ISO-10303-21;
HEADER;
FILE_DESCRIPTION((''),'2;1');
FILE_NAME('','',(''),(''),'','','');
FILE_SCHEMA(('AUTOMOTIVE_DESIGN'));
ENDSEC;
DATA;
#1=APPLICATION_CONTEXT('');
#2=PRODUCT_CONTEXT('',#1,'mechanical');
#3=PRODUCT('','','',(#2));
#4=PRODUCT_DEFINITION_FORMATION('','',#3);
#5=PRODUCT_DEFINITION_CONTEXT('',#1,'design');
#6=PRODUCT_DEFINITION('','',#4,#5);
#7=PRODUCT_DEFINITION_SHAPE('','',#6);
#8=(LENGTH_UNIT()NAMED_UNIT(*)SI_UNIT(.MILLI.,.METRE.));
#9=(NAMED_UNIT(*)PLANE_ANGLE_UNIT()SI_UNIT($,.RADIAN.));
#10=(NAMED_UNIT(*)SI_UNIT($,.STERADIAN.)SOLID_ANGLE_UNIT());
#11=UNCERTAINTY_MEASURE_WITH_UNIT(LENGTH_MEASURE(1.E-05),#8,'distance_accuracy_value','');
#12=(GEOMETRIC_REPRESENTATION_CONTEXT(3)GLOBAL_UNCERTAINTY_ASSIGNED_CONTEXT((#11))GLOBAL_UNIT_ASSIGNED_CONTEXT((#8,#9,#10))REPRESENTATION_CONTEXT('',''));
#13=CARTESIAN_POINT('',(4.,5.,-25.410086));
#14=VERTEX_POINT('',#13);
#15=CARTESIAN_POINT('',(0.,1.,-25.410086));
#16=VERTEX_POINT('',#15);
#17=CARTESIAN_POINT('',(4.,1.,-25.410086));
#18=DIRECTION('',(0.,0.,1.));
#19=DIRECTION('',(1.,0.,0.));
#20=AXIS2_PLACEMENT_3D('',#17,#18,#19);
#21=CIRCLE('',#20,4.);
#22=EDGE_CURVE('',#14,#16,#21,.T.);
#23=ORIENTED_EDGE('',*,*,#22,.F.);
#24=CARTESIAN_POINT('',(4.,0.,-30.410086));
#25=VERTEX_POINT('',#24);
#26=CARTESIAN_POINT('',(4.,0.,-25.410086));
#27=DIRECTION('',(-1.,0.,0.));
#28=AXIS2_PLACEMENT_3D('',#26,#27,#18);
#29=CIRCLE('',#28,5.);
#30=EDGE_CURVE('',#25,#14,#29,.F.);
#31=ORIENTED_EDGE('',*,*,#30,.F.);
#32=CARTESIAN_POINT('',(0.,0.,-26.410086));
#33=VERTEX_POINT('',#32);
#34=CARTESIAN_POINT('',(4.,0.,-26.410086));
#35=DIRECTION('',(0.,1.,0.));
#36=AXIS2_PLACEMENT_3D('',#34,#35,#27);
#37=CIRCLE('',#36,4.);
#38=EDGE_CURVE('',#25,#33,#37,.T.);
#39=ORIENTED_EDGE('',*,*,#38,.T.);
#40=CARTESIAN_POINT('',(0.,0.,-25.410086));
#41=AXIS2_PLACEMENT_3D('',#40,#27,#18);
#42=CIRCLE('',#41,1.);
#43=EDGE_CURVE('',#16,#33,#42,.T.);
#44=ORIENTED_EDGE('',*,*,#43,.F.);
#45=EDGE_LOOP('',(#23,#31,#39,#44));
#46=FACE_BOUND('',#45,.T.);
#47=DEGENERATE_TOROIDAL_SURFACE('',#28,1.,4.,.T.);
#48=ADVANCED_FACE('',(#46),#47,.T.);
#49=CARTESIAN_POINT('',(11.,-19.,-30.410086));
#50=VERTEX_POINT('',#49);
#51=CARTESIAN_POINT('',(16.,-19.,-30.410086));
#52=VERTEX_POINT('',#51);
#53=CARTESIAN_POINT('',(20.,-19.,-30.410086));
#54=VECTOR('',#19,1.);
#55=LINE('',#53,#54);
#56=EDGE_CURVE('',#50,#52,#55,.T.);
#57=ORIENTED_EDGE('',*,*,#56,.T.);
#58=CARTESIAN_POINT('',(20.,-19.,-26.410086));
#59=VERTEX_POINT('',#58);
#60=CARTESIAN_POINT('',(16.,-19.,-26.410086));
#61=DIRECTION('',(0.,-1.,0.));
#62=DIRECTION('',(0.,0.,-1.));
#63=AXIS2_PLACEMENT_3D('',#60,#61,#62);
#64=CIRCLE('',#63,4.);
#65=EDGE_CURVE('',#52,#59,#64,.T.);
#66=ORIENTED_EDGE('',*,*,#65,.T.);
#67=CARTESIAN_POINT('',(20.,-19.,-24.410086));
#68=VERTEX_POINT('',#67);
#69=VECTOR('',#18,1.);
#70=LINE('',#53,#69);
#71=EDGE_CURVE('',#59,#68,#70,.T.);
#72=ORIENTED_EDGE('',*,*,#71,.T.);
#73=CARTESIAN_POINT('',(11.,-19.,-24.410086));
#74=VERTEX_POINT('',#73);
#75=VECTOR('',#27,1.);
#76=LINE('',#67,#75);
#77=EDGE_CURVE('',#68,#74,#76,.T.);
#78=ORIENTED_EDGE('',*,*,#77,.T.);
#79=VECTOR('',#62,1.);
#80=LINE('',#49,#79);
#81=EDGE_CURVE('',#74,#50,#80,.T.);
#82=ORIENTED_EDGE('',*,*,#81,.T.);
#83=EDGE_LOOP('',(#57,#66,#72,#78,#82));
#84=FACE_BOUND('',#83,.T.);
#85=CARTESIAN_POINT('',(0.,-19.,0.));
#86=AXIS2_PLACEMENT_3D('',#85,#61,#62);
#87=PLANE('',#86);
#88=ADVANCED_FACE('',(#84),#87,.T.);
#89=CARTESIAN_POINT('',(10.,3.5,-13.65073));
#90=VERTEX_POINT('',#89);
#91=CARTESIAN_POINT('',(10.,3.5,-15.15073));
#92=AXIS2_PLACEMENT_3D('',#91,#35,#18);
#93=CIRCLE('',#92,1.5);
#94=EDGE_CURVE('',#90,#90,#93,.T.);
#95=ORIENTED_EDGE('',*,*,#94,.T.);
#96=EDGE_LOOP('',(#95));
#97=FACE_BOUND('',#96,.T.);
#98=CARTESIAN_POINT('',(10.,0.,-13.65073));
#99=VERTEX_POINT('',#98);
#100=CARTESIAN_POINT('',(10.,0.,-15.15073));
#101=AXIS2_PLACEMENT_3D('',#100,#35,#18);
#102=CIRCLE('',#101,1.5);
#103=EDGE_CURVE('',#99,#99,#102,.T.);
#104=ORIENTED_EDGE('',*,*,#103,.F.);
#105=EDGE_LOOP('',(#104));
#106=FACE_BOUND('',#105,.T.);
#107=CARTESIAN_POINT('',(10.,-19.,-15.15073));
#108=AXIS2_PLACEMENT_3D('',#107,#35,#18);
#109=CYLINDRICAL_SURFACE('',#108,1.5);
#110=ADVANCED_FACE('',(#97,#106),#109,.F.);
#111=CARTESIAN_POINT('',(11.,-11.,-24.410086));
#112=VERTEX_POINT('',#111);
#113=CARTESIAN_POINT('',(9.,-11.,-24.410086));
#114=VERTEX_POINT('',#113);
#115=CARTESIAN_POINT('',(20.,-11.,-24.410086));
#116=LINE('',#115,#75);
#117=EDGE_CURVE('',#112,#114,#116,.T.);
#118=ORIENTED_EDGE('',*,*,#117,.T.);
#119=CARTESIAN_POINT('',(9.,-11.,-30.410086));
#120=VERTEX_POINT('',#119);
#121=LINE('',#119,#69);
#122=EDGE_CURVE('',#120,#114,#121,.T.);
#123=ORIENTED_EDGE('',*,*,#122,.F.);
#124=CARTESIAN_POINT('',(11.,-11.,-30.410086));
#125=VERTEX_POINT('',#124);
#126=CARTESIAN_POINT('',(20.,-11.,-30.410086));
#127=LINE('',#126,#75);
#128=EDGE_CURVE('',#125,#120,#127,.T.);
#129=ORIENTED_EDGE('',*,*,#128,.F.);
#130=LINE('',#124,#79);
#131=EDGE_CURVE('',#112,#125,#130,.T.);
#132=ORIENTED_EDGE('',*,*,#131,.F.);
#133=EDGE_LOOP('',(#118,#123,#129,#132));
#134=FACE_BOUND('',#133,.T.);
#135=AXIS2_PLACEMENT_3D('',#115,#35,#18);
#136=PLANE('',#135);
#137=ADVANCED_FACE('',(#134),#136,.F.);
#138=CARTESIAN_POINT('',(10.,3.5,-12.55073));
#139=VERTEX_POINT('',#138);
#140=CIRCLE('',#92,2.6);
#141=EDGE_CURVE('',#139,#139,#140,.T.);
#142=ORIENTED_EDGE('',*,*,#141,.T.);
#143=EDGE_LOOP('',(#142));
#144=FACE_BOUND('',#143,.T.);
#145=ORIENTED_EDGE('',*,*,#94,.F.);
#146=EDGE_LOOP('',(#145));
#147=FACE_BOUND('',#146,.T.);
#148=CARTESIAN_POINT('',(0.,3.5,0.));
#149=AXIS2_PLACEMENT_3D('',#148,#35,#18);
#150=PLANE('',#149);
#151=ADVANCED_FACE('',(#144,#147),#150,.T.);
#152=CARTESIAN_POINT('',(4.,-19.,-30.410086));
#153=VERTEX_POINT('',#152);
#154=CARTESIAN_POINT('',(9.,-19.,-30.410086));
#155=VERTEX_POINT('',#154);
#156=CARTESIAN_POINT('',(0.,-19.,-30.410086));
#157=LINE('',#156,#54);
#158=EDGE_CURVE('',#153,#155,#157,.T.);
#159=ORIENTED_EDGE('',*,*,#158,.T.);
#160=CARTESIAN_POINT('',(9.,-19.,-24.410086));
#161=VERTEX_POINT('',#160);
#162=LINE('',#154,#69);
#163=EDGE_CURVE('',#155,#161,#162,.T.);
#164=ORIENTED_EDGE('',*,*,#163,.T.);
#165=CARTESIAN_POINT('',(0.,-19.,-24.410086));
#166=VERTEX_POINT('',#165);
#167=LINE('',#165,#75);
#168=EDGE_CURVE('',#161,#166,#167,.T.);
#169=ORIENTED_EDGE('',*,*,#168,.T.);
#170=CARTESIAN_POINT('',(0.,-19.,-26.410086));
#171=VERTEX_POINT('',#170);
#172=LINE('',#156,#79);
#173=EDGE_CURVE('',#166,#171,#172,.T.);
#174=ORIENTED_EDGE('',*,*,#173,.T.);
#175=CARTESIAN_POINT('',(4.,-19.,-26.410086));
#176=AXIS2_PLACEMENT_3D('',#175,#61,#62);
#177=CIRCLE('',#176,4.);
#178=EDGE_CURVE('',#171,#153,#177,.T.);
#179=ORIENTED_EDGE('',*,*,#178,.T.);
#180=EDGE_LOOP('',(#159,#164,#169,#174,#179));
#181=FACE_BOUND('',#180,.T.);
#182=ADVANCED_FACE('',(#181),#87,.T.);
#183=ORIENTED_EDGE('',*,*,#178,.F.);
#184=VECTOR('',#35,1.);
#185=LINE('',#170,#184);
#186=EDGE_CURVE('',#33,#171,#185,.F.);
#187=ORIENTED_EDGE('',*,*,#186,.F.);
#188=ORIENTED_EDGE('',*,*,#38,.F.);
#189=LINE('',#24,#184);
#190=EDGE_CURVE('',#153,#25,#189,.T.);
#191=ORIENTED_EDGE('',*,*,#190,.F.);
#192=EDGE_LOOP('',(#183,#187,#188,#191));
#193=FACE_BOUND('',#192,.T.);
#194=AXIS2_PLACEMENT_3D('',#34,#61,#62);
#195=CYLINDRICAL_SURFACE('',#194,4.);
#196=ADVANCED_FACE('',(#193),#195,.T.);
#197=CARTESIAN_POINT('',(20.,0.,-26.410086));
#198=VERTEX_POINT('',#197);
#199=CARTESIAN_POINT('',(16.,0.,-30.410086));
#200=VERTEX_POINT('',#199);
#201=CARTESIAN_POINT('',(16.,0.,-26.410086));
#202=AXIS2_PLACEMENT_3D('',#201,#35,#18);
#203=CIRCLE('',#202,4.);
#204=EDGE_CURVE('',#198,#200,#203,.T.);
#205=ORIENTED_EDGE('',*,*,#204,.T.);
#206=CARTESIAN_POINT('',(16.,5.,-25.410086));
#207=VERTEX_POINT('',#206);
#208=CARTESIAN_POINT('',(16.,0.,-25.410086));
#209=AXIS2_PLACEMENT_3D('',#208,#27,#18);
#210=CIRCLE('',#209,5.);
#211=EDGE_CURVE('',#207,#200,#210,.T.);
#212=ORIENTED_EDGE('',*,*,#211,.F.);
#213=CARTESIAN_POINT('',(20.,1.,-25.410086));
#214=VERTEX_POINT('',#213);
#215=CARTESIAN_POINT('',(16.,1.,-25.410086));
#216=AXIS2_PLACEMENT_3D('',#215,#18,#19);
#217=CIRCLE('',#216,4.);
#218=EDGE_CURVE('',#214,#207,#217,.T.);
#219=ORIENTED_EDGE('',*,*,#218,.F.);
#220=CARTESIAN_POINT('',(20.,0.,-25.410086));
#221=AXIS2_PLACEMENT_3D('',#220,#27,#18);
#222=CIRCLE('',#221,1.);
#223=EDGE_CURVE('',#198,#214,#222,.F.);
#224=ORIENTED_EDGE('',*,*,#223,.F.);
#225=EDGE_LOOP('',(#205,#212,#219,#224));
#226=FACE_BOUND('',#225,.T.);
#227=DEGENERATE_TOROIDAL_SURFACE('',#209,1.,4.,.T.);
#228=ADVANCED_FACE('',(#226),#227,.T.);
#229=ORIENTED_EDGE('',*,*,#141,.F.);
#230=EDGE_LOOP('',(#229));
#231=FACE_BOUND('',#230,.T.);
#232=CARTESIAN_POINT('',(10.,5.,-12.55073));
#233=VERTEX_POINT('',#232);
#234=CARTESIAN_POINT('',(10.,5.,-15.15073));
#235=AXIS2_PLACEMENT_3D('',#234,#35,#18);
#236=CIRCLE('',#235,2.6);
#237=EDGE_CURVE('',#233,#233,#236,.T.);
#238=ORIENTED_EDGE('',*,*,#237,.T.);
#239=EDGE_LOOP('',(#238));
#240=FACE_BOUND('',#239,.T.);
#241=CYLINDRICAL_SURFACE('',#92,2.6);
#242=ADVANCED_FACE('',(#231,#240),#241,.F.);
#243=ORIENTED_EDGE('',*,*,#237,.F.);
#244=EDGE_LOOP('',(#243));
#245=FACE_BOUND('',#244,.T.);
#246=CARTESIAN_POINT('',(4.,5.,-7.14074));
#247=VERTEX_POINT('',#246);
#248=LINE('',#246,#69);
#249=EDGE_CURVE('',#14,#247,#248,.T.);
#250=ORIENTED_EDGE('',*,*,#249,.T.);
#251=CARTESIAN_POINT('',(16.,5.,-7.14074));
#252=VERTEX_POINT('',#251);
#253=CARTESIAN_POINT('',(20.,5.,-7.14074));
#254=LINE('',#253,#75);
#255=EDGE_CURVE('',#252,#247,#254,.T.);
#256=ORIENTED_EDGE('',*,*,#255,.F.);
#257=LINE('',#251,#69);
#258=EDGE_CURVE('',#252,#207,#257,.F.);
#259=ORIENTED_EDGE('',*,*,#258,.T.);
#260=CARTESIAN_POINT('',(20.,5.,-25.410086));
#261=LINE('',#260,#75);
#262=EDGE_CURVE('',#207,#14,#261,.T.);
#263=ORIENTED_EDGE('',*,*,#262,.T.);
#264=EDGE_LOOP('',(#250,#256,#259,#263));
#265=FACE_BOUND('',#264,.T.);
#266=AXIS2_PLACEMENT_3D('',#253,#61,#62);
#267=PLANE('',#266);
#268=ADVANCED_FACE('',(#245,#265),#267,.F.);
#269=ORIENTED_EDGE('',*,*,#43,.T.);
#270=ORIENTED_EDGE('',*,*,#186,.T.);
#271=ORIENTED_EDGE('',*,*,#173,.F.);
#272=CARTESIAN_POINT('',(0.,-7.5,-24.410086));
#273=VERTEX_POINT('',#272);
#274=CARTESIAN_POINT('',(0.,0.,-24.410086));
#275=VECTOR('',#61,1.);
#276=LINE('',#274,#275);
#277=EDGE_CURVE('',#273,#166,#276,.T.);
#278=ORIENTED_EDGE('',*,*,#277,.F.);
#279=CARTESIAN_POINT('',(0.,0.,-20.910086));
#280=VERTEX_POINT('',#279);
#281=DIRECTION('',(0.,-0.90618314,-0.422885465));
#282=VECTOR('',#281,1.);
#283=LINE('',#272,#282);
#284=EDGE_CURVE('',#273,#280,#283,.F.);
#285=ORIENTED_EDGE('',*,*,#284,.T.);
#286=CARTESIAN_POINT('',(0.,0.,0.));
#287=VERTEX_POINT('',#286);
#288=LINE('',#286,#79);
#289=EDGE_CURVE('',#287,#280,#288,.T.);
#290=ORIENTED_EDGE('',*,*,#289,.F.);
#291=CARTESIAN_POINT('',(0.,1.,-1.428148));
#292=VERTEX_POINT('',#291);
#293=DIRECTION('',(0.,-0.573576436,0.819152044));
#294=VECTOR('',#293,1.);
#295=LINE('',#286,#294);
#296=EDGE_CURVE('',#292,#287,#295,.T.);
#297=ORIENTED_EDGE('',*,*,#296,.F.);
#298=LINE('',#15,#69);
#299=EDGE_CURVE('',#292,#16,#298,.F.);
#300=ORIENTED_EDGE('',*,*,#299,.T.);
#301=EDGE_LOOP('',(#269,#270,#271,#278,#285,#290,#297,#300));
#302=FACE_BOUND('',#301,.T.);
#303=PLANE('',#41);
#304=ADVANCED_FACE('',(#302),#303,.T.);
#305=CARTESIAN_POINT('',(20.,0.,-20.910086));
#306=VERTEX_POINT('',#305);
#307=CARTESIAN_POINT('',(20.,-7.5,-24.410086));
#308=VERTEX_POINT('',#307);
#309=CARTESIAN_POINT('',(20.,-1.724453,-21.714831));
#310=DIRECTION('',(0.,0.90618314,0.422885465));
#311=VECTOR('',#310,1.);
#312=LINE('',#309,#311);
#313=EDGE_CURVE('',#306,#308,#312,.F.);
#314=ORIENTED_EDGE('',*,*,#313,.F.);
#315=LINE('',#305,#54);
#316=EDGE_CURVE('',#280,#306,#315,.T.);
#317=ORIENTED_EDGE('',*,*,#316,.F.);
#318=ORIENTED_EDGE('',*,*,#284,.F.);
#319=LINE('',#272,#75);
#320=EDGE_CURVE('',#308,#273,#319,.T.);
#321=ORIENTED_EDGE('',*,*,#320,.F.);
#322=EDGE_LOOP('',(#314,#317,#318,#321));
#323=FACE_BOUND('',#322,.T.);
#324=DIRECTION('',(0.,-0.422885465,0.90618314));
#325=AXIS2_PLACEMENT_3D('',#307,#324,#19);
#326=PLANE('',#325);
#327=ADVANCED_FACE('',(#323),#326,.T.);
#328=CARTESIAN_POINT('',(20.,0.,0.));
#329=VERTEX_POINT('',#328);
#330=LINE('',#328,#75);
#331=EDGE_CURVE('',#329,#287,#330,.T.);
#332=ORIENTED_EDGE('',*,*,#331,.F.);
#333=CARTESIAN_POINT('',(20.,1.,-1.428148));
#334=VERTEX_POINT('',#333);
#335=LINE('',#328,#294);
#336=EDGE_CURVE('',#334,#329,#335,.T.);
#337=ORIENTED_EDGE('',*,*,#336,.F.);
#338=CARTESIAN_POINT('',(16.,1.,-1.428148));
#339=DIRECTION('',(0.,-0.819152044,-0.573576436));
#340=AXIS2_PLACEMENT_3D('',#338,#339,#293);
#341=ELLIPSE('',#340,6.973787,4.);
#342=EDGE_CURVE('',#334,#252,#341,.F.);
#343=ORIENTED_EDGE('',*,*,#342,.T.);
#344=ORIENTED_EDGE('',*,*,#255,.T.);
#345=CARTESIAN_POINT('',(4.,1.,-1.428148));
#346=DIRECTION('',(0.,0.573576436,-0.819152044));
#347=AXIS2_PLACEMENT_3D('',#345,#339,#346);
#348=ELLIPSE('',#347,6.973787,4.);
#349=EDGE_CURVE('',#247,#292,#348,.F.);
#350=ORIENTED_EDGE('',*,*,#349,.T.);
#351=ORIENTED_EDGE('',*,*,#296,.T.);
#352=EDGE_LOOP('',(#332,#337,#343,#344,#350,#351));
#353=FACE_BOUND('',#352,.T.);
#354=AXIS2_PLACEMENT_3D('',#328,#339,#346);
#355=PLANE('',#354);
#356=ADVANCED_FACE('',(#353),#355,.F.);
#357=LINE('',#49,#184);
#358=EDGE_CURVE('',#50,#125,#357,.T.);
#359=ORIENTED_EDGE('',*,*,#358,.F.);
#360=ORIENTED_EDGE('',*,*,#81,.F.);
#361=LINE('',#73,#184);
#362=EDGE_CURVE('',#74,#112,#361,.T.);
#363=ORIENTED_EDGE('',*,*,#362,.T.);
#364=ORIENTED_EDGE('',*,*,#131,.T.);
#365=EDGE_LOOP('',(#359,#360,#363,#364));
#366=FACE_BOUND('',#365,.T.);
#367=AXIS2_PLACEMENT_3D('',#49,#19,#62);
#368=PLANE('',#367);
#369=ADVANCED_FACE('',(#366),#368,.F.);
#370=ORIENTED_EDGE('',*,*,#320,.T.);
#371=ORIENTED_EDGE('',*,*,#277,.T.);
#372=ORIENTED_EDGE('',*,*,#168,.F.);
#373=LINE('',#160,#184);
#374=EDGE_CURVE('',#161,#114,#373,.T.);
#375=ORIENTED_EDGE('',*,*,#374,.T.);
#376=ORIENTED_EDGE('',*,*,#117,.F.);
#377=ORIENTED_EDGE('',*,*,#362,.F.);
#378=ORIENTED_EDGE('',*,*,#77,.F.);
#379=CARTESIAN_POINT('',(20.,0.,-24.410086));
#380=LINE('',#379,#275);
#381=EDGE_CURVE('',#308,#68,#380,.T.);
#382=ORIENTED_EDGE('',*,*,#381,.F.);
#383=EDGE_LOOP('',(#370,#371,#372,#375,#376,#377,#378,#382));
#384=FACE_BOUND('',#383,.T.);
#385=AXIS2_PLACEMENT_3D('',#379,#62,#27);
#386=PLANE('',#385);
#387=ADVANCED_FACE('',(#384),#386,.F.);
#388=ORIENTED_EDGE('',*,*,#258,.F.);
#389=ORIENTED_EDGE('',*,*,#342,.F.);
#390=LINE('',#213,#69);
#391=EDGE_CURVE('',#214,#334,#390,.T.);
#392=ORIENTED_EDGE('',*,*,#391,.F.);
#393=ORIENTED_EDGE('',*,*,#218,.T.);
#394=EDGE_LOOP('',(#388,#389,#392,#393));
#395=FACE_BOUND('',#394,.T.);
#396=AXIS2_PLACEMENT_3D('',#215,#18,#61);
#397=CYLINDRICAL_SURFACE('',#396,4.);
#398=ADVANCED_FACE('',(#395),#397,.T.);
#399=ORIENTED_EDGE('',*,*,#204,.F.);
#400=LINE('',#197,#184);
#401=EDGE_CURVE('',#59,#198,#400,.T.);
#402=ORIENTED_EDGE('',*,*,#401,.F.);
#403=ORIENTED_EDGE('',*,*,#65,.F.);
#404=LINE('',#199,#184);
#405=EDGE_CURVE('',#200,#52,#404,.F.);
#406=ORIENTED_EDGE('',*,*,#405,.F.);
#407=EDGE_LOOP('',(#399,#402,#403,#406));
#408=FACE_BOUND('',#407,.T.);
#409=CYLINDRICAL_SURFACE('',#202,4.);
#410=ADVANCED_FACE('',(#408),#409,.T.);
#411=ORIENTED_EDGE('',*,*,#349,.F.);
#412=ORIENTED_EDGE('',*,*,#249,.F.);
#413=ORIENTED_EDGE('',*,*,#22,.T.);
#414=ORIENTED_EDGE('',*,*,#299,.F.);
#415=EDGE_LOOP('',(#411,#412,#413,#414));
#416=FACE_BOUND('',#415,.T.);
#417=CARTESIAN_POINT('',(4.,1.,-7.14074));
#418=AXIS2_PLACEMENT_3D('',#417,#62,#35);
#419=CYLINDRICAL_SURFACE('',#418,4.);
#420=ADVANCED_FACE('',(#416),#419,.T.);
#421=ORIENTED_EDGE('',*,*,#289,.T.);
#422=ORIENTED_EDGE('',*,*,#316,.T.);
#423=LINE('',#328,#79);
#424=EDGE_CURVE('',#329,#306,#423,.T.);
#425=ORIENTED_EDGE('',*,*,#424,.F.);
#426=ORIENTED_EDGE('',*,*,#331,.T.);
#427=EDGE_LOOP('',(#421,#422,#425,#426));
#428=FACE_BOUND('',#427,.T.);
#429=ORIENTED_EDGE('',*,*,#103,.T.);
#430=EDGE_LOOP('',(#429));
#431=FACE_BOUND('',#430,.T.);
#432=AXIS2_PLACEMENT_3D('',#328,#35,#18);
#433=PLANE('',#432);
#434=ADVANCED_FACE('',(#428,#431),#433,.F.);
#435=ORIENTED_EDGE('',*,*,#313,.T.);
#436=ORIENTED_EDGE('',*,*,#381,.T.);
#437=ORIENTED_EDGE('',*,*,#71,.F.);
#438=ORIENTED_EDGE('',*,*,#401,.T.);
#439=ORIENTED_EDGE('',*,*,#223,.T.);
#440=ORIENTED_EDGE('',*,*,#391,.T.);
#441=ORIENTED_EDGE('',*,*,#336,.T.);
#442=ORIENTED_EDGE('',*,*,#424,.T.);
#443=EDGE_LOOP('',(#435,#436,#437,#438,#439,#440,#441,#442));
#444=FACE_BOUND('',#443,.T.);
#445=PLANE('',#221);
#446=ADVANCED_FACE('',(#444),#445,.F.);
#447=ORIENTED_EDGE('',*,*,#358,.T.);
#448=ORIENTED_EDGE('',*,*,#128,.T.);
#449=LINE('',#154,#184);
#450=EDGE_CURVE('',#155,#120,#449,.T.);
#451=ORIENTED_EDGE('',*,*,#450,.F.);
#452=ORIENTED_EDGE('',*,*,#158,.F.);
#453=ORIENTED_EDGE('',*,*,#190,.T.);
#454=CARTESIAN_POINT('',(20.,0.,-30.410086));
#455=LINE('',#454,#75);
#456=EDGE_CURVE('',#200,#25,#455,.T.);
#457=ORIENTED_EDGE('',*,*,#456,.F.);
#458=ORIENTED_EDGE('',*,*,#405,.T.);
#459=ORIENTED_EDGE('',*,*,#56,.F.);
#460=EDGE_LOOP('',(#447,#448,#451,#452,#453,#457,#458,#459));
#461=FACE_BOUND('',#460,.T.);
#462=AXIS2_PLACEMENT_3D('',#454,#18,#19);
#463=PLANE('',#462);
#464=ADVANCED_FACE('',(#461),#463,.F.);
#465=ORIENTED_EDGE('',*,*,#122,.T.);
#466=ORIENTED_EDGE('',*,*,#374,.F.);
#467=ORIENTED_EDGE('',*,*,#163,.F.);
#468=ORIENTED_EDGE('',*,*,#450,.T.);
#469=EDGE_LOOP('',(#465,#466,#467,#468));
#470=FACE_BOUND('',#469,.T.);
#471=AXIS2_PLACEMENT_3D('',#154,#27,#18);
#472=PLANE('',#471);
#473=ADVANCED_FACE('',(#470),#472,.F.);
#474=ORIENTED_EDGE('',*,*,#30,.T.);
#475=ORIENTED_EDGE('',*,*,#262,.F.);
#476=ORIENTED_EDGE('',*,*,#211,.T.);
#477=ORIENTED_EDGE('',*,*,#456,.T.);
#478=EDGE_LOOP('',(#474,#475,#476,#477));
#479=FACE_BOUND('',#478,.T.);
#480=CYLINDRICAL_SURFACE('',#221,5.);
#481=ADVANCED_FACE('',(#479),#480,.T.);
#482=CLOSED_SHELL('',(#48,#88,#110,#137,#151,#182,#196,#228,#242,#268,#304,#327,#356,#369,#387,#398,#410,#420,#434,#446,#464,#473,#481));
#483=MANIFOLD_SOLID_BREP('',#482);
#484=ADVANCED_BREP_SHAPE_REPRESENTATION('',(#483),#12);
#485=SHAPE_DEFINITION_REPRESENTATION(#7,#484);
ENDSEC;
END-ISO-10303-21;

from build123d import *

# Parameters (mm, degrees)
BOSS_EXTRUDE1_DEPTH = 20
SKETCH2_W           = 9
SKETCH2_H           = 6
BOSS_EXTRUDE2_DEPTH = 8
CHAMFER1_SIZE       = 3.5
CHAMFER1_SIZE2      = 7.5
SKETCH3_R           = 1.5
CUT_EXTRUDE1_DEPTH  = 44.597859544
SKETCH3_3_R         = 2.6
SKETCH3_3_R_2       = 1.5
CUT_EXTRUDE2_DEPTH  = 1.5
FILLET1_R           = 4


with BuildPart() as part:
    # Sketch1 → Boss-Extrude1 (new body)
    with BuildSketch(Plane(origin=(0, 0, 0), x_dir=(0, 0, -1), z_dir=(1, 0, 0))):
        with BuildLine():
            Line((0, 0), (7.140740034, 5))
            Line((7.140740034, 5), (24.410086433, 5))
            Line((24.410086433, 5), (25.410086433, 5))
            ThreePointArc((25.410086433, 5), (28.945620339, 3.535533906), (30.410086433, 0))
            Line((30.410086433, 0), (30.410086433, -11))
            Line((30.410086433, -11), (24.410086433, -11))
            Line((24.410086433, -11), (24.410086433, 0))
            Line((24.410086433, 0), (0, 0))
        make_face()
    extrude(amount=BOSS_EXTRUDE1_DEPTH)

    # Sketch2 → Boss-Extrude2 (add)
    with BuildSketch(Plane.XZ.offset(11)):
        with Locations((15.5, -27.410086433)):
            Rectangle(SKETCH2_W, SKETCH2_H)
        with Locations((4.5, -27.410086433)):
            Rectangle(SKETCH2_W, SKETCH2_H)
    extrude(amount=BOSS_EXTRUDE2_DEPTH)

    # Chamfer1
    chamfer1_edges = [part.edges().sort_by_distance(p)[0] for p in [
        (10, 0, -24.410086433),
    ]]
    chamfer1_side = [part.faces().sort_by_distance(p)[0] for p in [
        (10, 0, -12.205043216),
    ]]
    chamfer(chamfer1_edges, length=CHAMFER1_SIZE, length2=CHAMFER1_SIZE2, reference=chamfer1_side[0])

    # Sketch3 → Cut-Extrude1 (cut, through all)
    with BuildSketch(Plane(origin=(0, 5, 0), x_dir=(1, 0, 0), z_dir=(0, 1, 0))):
        with Locations((10, 15.150730497)):
            Circle(SKETCH3_R)
    extrude(amount=-CUT_EXTRUDE1_DEPTH, mode=Mode.SUBTRACT)

    # Sketch3<3> → Cut-Extrude2 (cut)
    with BuildSketch(Plane(origin=(0, 5, 0), x_dir=(1, 0, 0), z_dir=(0, 1, 0))):
        with Locations((10, 15.150730497)):
            Circle(SKETCH3_3_R)
        with Locations((10, 15.150730497)):
            Circle(SKETCH3_3_R_2, mode=Mode.SUBTRACT)
    extrude(amount=-CUT_EXTRUDE2_DEPTH, mode=Mode.SUBTRACT)

    # Fillet1
    fillet1_edges = [part.edges().sort_by_distance(p)[0] for p in [
        (0, 5, -16.275413233),
        (0, 3.535533906, -28.945620339),
        (20, 5, -16.275413233),
        (20, 3.535533906, -28.945620339),
        (0, -9.5, -30.410086433),
        (20, -9.5, -30.410086433),
    ]]
    fillet(fillet1_edges, radius=FILLET1_R)


solid = part.part
